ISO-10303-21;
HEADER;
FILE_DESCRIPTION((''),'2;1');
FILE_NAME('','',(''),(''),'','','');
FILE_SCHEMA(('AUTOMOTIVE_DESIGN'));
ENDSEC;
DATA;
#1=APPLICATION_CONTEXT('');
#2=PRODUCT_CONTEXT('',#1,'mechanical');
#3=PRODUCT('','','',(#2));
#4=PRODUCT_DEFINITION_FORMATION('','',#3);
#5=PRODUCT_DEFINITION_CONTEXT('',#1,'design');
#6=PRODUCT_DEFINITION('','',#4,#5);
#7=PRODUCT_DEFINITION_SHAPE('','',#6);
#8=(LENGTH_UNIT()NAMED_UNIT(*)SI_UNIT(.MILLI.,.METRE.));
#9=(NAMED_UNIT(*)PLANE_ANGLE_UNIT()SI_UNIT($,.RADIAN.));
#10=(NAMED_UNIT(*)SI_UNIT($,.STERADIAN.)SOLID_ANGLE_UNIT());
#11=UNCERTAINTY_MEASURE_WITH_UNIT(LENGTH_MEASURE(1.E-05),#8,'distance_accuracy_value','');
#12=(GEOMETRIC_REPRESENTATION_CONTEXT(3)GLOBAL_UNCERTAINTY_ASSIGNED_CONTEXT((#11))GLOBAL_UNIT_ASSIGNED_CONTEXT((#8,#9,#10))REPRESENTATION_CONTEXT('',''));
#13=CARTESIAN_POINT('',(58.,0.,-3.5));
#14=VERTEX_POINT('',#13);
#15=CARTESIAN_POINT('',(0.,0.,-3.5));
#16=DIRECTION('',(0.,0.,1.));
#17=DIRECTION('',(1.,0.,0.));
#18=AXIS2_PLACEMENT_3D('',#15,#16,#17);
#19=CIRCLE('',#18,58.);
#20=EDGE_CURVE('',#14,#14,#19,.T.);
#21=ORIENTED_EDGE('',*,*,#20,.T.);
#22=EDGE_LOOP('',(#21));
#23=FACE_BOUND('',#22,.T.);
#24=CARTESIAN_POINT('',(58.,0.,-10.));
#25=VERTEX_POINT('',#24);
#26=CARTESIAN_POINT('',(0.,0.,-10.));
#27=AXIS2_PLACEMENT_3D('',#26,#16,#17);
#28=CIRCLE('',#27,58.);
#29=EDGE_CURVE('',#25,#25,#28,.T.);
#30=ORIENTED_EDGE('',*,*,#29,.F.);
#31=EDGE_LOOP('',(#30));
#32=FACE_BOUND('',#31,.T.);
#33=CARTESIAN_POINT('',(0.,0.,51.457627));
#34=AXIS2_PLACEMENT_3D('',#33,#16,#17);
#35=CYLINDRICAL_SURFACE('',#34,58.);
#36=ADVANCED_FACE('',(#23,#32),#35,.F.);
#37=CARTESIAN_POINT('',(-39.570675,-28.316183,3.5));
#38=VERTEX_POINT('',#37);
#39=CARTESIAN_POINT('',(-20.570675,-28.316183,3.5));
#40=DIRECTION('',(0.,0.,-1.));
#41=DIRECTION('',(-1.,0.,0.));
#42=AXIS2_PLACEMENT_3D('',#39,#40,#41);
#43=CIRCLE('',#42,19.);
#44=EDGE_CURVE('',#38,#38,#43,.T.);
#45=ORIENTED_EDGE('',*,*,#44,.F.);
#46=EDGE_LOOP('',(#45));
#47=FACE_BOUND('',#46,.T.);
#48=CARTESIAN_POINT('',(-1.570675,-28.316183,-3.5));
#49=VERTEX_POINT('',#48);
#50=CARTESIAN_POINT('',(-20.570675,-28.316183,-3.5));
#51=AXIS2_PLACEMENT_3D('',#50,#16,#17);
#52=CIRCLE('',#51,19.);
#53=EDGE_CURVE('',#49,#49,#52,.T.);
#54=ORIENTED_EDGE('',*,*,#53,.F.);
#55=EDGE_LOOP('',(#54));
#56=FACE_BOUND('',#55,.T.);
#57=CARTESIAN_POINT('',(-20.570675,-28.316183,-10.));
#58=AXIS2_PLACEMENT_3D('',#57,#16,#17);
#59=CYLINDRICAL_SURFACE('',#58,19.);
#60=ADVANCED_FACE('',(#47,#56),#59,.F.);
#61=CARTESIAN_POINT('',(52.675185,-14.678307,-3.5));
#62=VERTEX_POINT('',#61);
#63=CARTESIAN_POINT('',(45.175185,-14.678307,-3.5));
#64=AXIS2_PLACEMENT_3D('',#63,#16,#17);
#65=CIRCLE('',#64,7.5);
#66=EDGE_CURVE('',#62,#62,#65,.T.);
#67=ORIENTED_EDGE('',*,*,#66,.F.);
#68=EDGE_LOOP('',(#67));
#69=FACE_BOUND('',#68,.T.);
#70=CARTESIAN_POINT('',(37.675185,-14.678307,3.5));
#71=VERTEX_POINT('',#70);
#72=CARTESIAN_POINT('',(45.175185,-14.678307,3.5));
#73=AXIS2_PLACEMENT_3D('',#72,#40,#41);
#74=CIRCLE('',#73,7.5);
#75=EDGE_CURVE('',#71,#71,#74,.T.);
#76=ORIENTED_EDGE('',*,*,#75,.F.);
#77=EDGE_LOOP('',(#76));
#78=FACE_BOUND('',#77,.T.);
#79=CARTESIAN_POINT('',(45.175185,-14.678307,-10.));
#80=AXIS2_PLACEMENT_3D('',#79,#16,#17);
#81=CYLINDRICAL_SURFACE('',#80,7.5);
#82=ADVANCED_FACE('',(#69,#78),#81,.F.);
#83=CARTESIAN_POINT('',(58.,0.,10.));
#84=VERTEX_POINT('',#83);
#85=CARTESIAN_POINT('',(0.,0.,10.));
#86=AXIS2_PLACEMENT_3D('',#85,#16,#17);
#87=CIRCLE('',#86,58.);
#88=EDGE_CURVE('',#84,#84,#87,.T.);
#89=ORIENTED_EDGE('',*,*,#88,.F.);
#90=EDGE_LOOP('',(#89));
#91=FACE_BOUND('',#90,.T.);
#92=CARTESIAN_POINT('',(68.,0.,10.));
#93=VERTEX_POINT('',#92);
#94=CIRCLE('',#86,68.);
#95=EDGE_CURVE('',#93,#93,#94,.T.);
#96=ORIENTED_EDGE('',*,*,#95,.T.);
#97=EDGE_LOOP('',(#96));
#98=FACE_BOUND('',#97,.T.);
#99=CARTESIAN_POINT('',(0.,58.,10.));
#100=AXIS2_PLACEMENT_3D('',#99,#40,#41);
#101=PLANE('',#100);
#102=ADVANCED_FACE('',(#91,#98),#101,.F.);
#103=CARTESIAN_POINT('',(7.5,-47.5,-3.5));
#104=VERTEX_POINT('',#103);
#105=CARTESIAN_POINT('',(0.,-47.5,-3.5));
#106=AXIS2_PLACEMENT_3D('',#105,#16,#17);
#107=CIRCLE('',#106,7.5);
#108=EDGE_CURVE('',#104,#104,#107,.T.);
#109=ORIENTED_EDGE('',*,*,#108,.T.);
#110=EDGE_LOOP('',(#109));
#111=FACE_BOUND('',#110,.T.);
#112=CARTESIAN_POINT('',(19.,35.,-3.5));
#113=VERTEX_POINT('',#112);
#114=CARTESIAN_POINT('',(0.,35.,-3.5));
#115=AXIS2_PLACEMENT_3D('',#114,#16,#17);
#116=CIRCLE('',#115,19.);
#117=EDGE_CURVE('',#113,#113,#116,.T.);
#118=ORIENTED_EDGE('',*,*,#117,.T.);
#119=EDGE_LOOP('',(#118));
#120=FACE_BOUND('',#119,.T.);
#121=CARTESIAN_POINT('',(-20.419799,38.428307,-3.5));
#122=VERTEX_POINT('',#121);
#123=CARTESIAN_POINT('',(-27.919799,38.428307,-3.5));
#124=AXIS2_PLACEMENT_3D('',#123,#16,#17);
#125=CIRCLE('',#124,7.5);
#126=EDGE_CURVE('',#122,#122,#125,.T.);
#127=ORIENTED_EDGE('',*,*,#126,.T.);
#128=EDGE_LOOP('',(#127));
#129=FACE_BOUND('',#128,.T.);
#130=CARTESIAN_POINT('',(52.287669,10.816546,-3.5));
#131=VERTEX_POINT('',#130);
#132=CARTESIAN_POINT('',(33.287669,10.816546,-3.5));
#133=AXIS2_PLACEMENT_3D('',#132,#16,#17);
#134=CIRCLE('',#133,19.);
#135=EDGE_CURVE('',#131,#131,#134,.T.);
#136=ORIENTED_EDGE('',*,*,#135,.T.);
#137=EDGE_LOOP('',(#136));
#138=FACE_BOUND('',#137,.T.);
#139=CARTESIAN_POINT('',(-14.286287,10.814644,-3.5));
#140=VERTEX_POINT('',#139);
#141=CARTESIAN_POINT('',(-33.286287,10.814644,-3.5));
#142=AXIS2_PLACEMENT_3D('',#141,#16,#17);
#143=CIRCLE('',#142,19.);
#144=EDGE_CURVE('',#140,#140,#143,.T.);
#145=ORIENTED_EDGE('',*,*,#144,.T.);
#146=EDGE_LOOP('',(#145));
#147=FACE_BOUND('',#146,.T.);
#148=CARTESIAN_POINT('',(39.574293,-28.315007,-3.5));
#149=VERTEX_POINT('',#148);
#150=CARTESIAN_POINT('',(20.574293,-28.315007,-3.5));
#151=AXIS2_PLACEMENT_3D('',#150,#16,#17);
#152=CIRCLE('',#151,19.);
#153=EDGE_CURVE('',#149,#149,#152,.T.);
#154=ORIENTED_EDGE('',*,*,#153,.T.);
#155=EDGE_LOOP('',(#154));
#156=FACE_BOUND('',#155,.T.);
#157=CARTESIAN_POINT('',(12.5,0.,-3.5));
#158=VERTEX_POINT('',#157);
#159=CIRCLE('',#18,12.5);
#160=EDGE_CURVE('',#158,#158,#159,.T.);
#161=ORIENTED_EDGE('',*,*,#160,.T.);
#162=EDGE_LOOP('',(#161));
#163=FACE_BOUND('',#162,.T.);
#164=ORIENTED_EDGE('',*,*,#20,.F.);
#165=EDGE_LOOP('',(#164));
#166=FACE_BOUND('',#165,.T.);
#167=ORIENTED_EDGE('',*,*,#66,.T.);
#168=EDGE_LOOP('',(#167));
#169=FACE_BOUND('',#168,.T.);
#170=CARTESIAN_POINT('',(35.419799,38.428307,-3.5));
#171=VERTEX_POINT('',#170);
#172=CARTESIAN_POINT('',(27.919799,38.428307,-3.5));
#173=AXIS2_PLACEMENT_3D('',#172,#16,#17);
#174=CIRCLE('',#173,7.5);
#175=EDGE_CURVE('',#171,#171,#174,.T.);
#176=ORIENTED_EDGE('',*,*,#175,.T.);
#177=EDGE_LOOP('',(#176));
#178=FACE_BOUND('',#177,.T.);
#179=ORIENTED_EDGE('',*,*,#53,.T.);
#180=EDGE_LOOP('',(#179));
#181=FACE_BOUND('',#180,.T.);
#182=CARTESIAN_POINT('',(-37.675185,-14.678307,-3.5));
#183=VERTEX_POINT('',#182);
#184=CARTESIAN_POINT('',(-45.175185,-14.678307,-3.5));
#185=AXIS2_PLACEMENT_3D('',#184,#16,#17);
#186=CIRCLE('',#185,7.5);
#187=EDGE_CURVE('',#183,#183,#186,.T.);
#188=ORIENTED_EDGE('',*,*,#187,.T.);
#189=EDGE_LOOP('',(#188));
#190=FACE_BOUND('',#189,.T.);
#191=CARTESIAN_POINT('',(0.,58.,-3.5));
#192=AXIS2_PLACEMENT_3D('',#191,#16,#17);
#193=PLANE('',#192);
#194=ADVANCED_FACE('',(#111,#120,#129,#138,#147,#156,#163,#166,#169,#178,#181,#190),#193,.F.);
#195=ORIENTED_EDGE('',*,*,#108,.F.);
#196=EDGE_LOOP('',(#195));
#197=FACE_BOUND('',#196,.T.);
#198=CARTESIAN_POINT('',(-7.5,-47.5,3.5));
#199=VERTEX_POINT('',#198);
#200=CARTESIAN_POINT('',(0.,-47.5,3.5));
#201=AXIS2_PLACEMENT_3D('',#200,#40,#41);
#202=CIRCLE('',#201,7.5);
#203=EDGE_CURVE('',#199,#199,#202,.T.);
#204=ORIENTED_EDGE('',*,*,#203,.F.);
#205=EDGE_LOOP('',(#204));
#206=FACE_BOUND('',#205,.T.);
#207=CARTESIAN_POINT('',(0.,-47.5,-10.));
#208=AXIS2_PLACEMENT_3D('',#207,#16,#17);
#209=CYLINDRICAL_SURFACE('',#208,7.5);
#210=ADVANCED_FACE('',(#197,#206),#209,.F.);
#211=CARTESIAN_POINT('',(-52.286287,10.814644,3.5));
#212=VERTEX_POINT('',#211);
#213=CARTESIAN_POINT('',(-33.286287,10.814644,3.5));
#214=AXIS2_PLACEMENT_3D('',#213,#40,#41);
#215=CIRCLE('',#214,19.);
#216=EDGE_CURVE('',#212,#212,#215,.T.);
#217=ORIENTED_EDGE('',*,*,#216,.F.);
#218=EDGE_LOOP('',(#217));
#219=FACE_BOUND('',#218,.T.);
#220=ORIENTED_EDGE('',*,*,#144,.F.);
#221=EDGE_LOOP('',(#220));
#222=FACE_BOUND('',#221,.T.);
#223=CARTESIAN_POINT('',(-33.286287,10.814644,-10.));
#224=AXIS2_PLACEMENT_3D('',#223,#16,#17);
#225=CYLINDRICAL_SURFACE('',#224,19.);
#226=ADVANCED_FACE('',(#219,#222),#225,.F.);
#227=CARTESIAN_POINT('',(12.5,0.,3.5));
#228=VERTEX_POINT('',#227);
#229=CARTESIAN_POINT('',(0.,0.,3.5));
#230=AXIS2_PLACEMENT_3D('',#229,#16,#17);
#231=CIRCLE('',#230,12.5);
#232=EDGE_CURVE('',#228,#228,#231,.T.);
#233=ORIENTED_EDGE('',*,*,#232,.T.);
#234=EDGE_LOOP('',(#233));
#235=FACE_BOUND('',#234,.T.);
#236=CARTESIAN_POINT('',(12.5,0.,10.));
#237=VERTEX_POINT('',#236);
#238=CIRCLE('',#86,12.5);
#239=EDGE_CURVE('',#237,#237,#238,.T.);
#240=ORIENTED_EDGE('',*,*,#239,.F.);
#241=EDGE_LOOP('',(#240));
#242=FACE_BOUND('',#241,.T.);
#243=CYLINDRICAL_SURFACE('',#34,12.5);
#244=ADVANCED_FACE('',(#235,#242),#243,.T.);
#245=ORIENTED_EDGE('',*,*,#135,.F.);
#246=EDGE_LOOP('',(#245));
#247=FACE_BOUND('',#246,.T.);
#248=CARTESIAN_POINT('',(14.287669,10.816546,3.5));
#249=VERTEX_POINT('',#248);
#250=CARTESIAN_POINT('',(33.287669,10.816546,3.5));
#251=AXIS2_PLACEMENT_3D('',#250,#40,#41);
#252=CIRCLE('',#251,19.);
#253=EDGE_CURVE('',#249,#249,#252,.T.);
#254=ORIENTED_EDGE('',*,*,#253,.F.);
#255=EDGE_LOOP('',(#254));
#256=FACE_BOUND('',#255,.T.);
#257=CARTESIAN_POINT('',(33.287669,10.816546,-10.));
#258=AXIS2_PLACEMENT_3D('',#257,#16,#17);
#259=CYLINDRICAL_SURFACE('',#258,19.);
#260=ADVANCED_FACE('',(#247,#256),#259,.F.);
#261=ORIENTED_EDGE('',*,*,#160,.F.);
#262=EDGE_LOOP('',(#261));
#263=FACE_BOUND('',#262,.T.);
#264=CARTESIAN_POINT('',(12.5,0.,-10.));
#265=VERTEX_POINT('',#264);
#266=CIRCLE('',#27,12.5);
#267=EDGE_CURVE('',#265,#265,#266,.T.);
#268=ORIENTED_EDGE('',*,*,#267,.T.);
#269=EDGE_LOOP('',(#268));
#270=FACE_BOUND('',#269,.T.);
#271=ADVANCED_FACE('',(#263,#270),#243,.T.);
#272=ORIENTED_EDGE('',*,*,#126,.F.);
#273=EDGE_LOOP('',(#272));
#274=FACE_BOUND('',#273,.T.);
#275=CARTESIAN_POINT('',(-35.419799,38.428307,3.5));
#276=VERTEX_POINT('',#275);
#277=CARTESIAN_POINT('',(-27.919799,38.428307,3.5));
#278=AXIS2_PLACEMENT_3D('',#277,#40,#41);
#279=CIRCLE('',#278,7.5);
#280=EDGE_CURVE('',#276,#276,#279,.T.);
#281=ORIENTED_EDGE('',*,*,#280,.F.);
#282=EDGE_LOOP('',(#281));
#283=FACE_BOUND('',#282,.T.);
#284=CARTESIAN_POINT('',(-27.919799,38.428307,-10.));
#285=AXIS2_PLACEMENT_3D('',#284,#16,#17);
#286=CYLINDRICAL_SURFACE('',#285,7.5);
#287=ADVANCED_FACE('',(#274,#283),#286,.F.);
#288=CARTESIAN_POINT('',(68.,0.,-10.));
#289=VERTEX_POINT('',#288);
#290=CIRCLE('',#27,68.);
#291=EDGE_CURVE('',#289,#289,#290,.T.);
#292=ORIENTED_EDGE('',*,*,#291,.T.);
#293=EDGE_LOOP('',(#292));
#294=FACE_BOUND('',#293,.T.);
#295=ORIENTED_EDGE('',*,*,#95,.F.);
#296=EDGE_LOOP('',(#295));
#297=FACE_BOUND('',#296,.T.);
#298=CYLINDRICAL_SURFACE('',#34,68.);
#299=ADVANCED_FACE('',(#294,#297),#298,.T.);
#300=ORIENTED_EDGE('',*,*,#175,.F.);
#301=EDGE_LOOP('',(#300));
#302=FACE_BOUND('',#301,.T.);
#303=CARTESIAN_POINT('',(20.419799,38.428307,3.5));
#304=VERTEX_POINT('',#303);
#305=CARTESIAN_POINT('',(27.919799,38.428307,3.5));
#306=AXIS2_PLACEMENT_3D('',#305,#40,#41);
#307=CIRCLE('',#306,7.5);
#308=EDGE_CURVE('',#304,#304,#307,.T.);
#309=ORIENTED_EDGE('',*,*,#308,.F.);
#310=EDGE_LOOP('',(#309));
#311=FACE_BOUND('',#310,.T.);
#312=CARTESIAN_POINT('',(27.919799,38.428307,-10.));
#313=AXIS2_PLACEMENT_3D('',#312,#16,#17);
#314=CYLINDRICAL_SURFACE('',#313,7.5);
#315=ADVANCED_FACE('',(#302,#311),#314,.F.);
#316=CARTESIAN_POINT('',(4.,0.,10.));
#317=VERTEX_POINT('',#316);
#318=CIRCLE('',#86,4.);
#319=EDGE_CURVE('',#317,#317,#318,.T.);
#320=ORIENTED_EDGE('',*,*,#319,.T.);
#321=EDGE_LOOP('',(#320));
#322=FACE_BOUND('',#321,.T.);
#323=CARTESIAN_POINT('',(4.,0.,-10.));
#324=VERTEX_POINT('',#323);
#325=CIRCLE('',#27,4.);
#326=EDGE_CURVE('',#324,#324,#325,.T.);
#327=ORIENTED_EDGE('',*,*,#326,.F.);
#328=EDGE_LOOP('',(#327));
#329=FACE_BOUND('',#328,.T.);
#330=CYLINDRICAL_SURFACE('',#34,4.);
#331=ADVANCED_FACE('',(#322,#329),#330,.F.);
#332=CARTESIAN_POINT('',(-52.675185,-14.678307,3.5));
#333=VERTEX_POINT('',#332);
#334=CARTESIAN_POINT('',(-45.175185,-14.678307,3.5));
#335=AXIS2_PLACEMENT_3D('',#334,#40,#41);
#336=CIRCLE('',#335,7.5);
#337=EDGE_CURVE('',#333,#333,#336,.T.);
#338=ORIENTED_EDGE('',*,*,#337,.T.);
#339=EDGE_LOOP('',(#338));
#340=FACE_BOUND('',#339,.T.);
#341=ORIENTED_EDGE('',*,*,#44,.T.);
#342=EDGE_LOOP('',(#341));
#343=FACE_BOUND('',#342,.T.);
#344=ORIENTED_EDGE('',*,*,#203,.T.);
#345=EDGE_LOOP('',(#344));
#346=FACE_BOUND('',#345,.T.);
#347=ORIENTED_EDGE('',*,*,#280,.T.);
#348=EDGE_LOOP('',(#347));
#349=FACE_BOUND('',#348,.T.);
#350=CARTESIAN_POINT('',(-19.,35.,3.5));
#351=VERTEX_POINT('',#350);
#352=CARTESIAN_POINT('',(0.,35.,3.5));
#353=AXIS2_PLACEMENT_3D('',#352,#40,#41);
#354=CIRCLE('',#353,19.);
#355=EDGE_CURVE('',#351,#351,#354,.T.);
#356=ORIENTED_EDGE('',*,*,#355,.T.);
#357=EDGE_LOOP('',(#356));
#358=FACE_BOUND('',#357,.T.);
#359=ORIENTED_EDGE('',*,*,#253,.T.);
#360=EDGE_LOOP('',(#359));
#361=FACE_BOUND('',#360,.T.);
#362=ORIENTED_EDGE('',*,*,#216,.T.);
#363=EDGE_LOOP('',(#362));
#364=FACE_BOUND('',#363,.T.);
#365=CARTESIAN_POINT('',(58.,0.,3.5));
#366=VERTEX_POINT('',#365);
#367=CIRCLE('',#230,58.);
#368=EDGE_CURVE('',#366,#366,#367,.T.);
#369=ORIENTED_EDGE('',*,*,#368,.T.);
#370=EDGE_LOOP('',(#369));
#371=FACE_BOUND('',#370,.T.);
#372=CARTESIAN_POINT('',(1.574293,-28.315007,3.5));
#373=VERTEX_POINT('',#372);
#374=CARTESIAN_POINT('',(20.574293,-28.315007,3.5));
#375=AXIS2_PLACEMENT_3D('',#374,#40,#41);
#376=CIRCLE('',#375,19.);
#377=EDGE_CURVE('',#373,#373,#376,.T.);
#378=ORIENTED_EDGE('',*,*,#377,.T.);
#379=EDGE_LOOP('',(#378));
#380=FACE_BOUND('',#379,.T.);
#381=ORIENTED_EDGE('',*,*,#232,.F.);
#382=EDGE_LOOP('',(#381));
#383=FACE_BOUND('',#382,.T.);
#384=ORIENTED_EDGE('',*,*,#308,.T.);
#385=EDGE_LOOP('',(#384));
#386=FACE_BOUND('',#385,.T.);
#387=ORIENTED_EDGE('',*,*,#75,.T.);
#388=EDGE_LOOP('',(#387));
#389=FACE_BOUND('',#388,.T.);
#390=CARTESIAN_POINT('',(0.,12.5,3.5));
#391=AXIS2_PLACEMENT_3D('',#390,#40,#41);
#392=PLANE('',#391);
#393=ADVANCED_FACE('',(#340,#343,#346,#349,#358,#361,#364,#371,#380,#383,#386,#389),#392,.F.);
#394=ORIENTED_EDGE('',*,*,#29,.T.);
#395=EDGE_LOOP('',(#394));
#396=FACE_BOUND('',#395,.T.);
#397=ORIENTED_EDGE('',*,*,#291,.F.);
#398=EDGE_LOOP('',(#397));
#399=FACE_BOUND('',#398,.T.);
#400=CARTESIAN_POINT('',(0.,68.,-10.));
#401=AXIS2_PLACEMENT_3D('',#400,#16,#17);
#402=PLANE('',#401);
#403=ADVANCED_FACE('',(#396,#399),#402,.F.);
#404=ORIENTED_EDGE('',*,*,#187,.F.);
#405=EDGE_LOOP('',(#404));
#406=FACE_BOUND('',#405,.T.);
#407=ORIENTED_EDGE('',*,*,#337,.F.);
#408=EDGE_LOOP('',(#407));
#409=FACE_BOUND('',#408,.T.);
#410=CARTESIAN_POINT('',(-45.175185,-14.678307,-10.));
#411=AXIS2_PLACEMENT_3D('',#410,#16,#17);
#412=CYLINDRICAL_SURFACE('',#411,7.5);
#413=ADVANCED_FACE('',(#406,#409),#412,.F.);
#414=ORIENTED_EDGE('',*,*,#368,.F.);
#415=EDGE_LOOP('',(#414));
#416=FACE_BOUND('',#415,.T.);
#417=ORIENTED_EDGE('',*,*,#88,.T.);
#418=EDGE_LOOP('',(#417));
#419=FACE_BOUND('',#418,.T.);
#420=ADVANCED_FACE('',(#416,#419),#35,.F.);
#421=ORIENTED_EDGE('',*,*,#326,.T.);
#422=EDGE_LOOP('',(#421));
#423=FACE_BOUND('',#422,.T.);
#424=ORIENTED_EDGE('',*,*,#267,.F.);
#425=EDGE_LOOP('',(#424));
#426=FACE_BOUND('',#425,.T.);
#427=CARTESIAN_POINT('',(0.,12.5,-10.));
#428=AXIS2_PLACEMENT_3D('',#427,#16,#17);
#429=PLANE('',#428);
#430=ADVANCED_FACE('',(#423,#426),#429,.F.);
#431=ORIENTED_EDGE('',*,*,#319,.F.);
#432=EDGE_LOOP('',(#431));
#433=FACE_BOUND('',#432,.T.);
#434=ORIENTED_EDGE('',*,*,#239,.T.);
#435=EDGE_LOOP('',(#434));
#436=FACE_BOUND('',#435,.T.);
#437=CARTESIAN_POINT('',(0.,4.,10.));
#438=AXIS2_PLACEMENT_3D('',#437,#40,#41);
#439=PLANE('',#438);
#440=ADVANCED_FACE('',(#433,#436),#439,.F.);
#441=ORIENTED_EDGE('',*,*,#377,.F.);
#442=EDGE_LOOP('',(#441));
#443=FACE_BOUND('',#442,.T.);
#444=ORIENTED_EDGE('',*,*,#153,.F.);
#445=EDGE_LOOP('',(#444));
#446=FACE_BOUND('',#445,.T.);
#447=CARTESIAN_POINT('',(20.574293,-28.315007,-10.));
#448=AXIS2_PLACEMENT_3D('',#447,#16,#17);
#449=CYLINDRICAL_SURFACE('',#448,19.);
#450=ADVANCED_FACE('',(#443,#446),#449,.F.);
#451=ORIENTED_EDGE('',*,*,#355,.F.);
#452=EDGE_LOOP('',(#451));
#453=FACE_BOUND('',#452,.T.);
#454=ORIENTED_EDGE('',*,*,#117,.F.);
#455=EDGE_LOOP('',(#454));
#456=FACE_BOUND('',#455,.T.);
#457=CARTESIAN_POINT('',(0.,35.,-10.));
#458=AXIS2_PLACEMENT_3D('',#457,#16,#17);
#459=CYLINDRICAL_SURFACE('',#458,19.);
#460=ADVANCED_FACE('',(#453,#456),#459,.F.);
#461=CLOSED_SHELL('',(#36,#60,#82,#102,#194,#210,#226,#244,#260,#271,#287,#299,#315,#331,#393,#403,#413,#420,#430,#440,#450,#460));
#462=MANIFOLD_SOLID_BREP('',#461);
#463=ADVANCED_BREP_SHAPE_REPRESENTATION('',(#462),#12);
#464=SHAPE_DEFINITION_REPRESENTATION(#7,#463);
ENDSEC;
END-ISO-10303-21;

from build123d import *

# Parameters (mm, degrees)
CUT_EXTRUDE1_DEPTH      = 97.685055722
CUT_EXTRUDE1_DEPTH_BACK = 97.685055722
SKETCH2_R               = 7.5
SKETCH2_R_2             = 19


with BuildPart() as part:
    # Sketch1 → Revolve1 (revolve)
    with BuildSketch(Plane(origin=(0, 0, 0), x_dir=(0, 0, -1), z_dir=(1, 0, 0)), mode=Mode.PRIVATE) as revolve1_sk:
        Polygon((-10, 68), (10, 68), (10, 58), (3.5, 58), (3.5, 12.5), (10, 12.5), (10, 4), (-10, 4), (-10, 12.5), (-3.5, 12.5), (-3.5, 58), (-10, 58), align=None)
    revolve(revolve1_sk.sketch.rotate(Axis((0, 0, 51.457627119), (0, 0, -1)), 90), axis=Axis((0, 0, 51.457627119), (0, 0, -1)))

    # Sketch2 → Cut-Extrude1 (cut, two sides: drawn at the far end of the back side and taken through both)
    with BuildSketch(Plane.XY.offset(-CUT_EXTRUDE1_DEPTH_BACK)):
        with Locations((0, -47.5)):
            Circle(SKETCH2_R)
        with Locations((45.175184524, -14.678307233)):
            Circle(SKETCH2_R)
        with Locations((27.919799484, 38.428307233)):
            Circle(SKETCH2_R)
        with Locations((-27.919799484, 38.428307233)):
            Circle(SKETCH2_R)
        with Locations((-45.175184524, -14.678307233)):
            Circle(SKETCH2_R)
        with Locations((0, 35)):
            Circle(SKETCH2_R_2)
        with Locations((33.287669053, 10.81654586)):
            Circle(SKETCH2_R_2)
        with Locations((20.574292847, -28.315007018)):
            Circle(SKETCH2_R_2)
        with Locations((-20.570674813, -28.316182588)):
            Circle(SKETCH2_R_2)
        with Locations((-33.286287087, 10.814643747)):
            Circle(SKETCH2_R_2)
    extrude(amount=CUT_EXTRUDE1_DEPTH + CUT_EXTRUDE1_DEPTH_BACK, mode=Mode.SUBTRACT)


solid = part.part
